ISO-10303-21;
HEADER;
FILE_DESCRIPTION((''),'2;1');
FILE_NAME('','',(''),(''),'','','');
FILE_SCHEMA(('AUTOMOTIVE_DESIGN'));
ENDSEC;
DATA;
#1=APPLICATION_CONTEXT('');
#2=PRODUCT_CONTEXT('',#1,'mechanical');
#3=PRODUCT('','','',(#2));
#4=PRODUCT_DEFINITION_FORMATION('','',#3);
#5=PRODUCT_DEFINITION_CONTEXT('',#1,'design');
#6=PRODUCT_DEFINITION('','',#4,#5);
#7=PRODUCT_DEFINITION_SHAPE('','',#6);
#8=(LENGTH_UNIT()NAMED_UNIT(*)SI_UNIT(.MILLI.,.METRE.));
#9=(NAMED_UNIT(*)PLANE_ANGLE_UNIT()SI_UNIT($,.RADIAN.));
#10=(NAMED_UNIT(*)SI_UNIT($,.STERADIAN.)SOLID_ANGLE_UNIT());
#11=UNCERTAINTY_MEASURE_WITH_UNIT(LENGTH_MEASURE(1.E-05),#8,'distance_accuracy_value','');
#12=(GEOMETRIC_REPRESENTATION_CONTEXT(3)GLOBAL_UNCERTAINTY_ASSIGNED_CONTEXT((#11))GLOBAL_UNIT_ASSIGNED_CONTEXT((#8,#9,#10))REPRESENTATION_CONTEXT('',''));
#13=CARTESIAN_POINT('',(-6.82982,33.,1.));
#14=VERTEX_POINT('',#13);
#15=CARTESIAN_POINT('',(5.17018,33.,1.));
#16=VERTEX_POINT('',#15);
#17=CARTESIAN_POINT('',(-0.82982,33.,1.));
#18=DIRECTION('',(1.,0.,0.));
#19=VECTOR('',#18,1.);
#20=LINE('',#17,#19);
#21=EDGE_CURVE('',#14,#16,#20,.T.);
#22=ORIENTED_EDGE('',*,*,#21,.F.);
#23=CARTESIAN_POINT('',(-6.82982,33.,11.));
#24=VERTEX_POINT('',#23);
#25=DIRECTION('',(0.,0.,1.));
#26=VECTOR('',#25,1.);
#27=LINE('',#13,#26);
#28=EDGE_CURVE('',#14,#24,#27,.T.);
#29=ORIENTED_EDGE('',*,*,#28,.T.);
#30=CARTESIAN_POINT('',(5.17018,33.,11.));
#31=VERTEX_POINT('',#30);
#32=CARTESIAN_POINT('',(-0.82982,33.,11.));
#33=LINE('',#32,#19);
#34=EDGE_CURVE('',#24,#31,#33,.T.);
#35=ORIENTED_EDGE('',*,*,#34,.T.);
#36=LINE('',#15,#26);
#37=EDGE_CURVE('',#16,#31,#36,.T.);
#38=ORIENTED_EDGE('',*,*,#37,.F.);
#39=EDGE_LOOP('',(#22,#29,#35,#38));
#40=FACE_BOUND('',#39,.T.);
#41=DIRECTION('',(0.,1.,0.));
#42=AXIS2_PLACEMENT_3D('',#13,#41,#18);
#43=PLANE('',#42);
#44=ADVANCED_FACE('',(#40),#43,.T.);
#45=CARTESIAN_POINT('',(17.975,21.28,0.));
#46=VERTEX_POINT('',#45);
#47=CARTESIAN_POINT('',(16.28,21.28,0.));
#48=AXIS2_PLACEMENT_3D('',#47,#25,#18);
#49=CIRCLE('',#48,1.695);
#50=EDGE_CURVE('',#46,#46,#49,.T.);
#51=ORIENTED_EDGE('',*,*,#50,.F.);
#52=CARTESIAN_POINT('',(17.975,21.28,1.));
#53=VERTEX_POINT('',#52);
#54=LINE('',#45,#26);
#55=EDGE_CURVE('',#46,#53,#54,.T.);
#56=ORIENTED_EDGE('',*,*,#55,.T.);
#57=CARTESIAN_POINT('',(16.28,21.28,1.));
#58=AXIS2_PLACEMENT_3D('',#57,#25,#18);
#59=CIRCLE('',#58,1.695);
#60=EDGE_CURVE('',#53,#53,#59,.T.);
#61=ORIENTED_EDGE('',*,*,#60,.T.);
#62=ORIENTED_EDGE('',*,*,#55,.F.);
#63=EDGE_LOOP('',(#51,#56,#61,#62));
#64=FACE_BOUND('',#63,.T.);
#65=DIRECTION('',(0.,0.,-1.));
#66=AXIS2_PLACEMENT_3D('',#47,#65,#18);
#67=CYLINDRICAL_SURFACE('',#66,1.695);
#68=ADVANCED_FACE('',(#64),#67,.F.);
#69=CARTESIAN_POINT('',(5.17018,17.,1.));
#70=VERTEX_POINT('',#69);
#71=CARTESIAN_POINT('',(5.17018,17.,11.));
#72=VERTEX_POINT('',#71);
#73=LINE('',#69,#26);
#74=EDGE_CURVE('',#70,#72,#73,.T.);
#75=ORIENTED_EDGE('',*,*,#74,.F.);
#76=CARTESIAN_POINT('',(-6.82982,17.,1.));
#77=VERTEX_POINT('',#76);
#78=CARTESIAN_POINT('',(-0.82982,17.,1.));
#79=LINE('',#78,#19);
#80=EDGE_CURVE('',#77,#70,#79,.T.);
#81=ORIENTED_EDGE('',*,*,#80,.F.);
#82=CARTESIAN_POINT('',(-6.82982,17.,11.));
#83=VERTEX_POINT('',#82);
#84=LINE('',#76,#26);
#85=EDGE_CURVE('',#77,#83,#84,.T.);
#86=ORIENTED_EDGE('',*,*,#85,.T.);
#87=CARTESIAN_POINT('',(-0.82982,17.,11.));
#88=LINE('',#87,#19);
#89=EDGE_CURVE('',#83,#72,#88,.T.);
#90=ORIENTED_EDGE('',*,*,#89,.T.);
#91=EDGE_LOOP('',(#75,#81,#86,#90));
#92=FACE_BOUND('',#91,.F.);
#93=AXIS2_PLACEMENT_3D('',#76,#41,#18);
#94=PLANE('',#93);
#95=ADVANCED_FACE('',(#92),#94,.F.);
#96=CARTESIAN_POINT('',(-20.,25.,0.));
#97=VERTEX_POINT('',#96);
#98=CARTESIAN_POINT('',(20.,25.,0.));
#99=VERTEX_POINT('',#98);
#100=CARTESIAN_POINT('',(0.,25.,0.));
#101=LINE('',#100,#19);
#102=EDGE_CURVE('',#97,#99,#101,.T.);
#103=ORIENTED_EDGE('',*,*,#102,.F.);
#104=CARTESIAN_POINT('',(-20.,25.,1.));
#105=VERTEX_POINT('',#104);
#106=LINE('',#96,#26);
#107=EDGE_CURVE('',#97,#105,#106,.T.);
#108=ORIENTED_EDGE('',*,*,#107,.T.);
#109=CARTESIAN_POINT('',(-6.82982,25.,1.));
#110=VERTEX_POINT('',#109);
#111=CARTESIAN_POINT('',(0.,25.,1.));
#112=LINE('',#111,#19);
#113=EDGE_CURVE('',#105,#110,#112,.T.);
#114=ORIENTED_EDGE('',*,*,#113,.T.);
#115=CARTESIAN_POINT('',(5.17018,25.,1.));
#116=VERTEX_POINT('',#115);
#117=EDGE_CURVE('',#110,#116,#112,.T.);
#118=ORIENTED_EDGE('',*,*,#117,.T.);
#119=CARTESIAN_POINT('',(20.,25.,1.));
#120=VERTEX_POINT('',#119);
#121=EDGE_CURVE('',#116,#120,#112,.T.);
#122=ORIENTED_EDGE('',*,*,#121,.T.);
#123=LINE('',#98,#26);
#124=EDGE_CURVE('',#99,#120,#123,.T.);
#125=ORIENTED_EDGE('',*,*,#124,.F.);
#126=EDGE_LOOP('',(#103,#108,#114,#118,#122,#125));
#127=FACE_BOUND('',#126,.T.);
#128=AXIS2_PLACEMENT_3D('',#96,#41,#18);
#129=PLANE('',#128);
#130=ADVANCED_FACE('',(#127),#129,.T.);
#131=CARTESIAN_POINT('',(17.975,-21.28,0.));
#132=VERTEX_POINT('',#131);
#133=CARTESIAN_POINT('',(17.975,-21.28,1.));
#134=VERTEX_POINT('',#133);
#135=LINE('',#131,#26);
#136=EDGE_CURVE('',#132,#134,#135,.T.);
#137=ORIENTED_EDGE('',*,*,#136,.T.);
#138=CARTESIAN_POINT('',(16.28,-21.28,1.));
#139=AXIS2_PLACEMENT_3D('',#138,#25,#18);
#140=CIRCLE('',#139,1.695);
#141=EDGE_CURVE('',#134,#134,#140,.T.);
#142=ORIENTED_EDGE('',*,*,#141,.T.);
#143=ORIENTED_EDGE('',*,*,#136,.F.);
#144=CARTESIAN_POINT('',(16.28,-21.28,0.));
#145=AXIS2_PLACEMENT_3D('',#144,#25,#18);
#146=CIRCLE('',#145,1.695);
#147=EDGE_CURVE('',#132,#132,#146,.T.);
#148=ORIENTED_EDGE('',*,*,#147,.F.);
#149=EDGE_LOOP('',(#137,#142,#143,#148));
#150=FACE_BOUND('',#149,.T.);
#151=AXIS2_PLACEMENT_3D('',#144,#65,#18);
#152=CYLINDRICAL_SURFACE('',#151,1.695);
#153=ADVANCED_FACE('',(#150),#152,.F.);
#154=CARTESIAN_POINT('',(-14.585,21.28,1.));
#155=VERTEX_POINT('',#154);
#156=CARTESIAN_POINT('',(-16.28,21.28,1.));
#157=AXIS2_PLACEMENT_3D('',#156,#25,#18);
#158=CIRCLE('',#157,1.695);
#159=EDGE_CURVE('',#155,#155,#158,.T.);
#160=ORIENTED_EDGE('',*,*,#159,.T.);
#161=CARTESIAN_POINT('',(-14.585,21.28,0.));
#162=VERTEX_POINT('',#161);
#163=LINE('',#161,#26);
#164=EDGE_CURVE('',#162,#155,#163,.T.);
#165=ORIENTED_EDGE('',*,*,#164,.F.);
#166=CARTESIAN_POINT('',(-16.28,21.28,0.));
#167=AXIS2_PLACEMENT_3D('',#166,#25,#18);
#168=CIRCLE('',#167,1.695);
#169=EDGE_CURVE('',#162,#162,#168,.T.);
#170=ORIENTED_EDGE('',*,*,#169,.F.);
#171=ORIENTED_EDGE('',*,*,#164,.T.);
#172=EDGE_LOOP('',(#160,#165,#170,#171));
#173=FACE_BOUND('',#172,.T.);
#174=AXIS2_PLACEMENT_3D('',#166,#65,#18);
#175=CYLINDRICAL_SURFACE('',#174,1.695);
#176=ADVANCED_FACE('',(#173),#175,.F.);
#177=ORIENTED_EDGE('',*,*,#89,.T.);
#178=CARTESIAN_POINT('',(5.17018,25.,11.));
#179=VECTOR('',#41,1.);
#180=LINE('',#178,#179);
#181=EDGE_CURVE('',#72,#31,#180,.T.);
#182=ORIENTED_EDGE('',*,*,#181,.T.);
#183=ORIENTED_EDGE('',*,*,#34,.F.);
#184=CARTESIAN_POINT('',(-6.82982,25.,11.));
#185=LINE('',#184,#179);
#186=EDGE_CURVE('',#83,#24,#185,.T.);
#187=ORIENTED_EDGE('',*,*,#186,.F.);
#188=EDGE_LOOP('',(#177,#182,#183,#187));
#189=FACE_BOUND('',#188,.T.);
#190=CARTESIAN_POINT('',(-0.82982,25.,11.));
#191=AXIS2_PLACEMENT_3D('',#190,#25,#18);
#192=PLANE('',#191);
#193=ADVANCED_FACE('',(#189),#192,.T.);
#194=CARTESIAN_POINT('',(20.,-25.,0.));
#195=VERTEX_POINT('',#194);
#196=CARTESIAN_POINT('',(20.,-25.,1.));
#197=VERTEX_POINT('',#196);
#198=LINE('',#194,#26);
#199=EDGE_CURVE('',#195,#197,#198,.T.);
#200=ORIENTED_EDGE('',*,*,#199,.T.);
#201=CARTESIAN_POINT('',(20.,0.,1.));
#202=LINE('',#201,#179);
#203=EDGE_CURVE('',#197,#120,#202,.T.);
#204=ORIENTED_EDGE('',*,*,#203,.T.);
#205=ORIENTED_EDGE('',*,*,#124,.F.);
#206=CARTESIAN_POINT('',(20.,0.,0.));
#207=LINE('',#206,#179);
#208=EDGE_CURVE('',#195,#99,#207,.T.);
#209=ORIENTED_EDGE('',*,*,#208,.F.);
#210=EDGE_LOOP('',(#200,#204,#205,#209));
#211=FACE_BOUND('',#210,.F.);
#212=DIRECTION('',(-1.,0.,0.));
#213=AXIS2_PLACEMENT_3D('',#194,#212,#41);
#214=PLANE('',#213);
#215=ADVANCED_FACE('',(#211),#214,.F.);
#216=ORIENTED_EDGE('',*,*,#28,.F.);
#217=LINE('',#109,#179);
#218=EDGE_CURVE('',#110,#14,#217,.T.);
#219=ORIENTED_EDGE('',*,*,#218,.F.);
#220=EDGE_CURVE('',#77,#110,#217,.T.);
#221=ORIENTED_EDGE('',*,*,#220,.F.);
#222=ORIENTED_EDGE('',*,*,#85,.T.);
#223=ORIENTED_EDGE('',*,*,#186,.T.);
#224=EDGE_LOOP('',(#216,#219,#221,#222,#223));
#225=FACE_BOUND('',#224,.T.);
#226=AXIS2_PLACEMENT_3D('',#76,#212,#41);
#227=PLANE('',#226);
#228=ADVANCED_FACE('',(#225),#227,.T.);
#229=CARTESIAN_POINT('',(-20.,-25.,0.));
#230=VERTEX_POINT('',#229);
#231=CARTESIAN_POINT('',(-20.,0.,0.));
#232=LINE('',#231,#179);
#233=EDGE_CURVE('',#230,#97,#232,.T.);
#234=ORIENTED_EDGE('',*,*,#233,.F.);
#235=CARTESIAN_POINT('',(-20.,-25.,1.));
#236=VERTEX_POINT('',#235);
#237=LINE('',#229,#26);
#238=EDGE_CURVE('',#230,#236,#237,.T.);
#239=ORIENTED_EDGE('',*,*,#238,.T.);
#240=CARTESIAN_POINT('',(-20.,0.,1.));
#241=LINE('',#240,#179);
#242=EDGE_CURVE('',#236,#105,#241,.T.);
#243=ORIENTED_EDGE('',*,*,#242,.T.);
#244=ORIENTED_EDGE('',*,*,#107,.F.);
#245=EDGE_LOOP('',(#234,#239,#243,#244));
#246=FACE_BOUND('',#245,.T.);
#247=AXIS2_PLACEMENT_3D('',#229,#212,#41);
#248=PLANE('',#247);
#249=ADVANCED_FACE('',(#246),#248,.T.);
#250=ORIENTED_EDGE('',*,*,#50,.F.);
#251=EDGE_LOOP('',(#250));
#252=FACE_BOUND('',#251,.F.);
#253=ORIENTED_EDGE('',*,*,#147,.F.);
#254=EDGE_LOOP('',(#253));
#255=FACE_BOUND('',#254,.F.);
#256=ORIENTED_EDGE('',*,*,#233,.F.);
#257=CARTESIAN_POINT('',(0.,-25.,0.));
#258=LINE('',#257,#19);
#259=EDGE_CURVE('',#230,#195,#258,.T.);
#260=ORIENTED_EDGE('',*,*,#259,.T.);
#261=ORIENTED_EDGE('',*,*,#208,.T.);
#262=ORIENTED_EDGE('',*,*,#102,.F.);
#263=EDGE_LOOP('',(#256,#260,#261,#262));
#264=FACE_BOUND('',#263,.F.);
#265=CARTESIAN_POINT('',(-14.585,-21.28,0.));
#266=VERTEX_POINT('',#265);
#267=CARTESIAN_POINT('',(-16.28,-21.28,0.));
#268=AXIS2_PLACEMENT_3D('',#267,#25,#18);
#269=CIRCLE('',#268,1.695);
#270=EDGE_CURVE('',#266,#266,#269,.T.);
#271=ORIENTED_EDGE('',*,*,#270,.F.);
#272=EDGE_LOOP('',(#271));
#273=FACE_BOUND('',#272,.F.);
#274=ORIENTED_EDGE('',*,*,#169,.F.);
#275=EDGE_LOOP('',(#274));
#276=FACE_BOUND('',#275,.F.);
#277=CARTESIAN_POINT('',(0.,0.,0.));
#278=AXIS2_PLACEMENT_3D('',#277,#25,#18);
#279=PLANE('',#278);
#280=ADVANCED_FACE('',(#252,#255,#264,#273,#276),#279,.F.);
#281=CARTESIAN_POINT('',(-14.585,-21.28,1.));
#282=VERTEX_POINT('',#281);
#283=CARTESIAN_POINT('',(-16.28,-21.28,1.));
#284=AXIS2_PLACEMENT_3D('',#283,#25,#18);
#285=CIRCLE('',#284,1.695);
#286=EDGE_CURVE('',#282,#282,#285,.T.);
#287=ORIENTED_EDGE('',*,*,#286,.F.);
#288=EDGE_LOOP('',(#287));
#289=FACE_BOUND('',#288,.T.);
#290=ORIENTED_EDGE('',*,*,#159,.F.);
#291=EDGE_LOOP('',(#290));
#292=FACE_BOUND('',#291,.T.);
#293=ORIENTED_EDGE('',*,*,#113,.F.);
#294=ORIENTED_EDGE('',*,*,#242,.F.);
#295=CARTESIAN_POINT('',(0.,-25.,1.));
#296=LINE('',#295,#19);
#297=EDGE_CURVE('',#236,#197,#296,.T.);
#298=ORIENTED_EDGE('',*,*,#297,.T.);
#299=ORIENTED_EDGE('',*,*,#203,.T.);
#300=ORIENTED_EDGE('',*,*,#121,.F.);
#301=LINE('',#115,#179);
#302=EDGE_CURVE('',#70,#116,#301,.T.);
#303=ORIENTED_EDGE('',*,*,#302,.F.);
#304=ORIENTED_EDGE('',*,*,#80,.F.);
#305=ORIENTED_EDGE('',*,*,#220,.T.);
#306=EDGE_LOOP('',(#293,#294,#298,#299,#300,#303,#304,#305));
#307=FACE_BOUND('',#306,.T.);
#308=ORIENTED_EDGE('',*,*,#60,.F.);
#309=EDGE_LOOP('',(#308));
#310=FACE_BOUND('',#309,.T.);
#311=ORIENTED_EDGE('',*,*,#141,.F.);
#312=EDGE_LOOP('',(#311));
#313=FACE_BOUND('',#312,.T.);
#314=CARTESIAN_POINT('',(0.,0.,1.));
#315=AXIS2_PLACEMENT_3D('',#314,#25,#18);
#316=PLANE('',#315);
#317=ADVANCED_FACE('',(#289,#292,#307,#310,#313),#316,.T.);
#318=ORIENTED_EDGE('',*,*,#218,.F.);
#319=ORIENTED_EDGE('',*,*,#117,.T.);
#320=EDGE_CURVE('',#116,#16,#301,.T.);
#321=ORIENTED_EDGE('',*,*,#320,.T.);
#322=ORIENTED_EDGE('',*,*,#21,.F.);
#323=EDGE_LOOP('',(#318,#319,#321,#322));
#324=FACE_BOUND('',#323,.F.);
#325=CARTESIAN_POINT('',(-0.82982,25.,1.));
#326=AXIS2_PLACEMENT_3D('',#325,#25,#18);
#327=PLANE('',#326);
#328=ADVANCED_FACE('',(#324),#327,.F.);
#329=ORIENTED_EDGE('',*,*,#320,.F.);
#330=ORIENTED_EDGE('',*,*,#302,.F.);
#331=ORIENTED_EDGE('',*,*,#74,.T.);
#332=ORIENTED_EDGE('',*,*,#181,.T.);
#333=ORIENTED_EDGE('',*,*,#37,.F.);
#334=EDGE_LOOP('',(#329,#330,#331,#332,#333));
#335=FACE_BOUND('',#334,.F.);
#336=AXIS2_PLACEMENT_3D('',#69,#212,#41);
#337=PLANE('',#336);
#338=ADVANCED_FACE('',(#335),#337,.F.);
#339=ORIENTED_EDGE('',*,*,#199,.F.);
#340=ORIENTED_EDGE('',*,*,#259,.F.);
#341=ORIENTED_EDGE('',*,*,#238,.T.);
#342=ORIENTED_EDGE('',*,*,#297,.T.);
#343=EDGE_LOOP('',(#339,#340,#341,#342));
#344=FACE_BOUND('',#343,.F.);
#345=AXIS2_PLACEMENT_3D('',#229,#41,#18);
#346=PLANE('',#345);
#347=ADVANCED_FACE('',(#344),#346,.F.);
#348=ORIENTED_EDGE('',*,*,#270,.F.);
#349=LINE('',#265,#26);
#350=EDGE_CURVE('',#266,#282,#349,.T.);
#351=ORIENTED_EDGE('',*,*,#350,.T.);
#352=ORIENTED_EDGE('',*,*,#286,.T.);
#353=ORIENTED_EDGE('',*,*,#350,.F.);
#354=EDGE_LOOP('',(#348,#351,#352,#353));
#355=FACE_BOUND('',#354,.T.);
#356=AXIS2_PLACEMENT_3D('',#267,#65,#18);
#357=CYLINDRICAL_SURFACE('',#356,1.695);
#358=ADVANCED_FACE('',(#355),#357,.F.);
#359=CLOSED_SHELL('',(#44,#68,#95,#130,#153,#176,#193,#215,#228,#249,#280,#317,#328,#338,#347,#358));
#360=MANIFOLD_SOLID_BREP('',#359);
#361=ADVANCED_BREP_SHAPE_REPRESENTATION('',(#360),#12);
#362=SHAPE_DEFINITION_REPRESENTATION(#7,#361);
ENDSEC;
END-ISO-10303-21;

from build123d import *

# Parameters (mm, degrees)
F0_W     = 40
F0_H     = 50
F0_R     = 1.695
F1_DEPTH = 1
F2_W     = 12
F2_H     = 16
F3_DEPTH = 10


with BuildPart() as f1:
    # F0 (on Top) → F1 (new body)
    with BuildSketch(Plane.XY):
        Rectangle(F0_W, F0_H)
        with Locations((-16.28, -21.28)):
            Circle(F0_R, mode=Mode.SUBTRACT)
        with Locations((16.28, -21.28)):
            Circle(F0_R, mode=Mode.SUBTRACT)
        with Locations((-16.28, 21.28)):
            Circle(F0_R, mode=Mode.SUBTRACT)
        with Locations((16.28, 21.28)):
            Circle(F0_R, mode=Mode.SUBTRACT)
    extrude(amount=F1_DEPTH)

    # F2 (on face) → F3 (join)
    with BuildSketch(Plane.XY.offset(1)):
        with Locations((-0.82982, 25)):
            Rectangle(F2_W, F2_H)
    extrude(amount=F3_DEPTH)


solid = f1.part
